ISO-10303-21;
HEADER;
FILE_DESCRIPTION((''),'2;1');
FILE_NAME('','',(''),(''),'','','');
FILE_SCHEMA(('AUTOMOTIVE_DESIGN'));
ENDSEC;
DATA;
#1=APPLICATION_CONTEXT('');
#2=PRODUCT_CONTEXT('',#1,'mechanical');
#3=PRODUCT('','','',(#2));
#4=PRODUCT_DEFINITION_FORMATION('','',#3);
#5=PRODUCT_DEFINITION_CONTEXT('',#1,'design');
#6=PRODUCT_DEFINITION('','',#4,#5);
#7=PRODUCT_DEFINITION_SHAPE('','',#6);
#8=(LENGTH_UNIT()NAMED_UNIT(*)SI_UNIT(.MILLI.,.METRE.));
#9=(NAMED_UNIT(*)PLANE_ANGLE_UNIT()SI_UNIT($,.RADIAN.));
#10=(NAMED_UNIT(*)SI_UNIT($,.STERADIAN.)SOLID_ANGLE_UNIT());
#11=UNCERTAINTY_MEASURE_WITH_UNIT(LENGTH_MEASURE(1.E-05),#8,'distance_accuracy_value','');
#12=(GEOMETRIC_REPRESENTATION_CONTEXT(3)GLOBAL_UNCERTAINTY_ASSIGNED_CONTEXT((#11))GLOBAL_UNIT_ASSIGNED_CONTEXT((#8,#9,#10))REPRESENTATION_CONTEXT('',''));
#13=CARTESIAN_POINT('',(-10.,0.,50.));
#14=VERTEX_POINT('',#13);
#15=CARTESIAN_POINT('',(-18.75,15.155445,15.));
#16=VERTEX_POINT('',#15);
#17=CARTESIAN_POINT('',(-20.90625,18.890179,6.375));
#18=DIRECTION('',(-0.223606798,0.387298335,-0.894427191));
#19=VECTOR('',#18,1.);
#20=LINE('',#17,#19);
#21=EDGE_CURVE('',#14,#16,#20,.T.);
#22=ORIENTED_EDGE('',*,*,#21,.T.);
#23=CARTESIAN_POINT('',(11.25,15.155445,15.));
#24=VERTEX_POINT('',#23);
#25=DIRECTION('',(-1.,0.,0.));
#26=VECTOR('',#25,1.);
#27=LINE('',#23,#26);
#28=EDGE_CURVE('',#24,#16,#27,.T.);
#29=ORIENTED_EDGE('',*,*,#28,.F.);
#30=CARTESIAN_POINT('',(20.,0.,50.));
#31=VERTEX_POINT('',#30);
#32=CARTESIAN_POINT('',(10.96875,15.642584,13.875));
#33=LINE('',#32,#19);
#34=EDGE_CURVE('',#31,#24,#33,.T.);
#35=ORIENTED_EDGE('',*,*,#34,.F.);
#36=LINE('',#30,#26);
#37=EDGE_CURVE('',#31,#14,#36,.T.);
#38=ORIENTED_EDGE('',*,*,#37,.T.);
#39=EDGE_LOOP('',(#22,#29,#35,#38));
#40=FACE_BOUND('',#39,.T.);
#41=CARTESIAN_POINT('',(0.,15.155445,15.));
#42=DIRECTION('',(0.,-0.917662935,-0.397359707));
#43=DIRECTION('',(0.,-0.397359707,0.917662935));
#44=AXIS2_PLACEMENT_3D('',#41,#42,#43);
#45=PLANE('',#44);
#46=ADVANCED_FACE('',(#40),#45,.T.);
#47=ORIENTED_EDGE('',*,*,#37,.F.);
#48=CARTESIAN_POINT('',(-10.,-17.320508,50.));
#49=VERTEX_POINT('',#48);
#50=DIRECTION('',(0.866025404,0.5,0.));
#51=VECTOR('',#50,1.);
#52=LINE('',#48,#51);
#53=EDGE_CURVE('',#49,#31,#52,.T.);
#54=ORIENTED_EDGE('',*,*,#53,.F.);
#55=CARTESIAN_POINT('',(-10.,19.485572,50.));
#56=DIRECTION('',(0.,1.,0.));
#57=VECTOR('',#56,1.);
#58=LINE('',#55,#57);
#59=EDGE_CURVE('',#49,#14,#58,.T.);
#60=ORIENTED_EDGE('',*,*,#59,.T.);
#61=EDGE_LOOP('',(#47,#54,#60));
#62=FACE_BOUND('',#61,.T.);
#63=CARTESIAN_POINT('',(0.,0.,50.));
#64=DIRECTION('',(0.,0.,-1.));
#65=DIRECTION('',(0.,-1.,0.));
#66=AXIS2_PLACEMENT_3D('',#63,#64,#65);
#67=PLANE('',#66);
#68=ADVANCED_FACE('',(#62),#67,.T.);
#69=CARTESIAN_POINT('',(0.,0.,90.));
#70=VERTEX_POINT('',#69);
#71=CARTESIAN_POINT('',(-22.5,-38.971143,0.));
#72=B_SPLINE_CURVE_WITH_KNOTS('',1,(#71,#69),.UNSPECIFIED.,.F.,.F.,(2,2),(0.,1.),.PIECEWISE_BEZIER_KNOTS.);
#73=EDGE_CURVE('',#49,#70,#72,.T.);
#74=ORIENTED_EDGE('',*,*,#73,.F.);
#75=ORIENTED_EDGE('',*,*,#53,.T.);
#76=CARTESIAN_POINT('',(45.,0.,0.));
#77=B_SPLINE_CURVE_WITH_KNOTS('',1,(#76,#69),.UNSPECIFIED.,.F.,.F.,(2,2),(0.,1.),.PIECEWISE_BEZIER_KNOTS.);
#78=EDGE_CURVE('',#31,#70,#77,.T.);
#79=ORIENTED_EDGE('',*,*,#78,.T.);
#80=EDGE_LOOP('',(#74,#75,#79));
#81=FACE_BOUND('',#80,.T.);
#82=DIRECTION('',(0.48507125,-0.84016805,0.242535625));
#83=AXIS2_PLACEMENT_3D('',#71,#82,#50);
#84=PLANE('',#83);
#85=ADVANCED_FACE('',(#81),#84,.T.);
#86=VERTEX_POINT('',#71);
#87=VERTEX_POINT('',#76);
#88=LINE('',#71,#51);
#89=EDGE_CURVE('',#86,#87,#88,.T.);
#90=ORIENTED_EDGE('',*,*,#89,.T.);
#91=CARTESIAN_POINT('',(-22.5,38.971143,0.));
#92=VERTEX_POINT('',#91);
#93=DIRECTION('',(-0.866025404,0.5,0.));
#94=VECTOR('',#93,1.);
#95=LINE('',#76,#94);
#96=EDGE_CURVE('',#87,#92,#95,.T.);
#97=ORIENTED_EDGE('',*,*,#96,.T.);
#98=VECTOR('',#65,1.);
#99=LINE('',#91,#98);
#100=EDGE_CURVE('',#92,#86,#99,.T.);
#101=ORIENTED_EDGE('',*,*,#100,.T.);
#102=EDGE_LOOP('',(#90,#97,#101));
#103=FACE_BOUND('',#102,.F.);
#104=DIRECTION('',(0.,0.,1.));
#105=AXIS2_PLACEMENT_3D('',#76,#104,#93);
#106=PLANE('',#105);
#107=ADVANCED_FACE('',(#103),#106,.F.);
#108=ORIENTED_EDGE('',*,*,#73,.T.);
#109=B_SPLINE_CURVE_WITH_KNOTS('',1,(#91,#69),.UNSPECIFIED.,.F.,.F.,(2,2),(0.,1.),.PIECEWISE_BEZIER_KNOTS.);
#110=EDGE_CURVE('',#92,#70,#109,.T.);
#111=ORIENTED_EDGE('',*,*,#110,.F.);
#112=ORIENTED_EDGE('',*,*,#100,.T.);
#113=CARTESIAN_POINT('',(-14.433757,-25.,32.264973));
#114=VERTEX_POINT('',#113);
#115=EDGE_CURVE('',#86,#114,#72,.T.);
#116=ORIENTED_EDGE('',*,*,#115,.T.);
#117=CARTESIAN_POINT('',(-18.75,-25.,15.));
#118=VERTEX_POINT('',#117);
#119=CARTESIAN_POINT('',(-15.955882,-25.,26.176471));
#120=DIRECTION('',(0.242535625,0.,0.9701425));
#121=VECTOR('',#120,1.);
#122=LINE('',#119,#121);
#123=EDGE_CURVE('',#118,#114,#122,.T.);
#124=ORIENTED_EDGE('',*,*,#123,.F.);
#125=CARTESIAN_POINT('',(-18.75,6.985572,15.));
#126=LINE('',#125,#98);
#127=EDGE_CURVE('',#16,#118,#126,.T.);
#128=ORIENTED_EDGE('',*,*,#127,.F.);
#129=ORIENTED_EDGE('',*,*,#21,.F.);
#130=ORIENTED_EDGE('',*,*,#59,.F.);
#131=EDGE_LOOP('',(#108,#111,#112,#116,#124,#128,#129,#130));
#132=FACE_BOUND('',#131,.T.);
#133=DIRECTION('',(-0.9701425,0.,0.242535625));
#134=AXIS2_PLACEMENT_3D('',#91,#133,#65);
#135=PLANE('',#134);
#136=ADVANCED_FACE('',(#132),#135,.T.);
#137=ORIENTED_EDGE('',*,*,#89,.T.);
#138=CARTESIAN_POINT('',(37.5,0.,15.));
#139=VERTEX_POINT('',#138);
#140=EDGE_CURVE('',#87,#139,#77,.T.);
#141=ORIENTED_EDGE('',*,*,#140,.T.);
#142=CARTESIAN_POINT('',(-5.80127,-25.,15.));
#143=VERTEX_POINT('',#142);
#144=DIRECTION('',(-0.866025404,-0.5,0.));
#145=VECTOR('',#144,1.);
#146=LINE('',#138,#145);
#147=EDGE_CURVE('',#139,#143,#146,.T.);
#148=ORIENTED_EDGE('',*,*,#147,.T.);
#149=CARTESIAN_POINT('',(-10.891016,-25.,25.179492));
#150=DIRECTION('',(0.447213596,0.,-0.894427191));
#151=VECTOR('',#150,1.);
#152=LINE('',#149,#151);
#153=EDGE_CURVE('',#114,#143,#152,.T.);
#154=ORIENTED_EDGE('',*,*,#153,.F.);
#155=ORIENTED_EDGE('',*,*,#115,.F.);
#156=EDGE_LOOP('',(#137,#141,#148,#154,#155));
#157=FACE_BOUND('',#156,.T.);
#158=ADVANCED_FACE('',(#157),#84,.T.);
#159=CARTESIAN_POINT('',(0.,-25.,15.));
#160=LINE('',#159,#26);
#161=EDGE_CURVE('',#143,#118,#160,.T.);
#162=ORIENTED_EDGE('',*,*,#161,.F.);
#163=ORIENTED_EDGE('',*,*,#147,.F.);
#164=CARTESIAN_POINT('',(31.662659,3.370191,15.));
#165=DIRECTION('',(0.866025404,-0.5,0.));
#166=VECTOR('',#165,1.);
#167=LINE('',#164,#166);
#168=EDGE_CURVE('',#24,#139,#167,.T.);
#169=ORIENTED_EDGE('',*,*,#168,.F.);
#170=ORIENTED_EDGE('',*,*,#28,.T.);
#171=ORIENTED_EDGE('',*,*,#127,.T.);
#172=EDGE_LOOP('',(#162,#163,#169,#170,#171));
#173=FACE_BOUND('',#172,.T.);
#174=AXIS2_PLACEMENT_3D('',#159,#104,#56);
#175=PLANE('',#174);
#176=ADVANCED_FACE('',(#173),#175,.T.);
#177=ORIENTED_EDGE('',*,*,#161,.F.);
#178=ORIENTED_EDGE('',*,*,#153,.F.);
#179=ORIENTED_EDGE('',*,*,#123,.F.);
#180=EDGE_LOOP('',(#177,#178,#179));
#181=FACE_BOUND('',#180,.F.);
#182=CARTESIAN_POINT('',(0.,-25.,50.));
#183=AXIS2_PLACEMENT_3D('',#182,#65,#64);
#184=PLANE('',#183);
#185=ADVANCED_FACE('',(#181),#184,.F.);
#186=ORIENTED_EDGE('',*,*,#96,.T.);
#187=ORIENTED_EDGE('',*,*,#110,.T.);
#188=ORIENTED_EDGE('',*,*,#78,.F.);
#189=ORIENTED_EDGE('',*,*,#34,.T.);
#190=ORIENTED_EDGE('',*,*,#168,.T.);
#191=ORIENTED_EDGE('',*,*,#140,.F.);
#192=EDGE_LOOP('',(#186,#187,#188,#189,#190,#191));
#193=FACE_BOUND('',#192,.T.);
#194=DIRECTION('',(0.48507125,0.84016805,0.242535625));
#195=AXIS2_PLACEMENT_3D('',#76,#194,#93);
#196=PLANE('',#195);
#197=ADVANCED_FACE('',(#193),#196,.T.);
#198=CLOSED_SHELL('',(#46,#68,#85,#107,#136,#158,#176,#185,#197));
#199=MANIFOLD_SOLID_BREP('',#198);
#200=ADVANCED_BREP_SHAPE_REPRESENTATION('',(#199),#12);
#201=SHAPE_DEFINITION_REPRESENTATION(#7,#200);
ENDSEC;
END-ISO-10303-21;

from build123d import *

# Parameters (mm, degrees)
F4_DEPTH      = 22.5010001
F4_DEPTH_BACK = 45.0010001


with BuildPart() as f2:
    # F0 (on Top) → F2 section 0
    with BuildSketch(Plane.XY, mode=Mode.PRIVATE) as f2_s0:
        Polygon((45, 0), (-22.5, 38.9711431703), (-22.5, -38.9711431703), align=None)
    loft([f2_s0.sketch, Vertex(0, 0, 90)])

    # F3 (on Right) → F4 (cut, two sides)
    with BuildSketch(Plane.YZ) as f4_sk:
        Polygon((15.1554445662, 15), (0, 50), (-25, 50), (-25, 15), align=None)
    extrude(amount=-F4_DEPTH, mode=Mode.SUBTRACT)
    extrude(f4_sk.sketch, amount=F4_DEPTH_BACK, mode=Mode.SUBTRACT)


solid = f2.part
